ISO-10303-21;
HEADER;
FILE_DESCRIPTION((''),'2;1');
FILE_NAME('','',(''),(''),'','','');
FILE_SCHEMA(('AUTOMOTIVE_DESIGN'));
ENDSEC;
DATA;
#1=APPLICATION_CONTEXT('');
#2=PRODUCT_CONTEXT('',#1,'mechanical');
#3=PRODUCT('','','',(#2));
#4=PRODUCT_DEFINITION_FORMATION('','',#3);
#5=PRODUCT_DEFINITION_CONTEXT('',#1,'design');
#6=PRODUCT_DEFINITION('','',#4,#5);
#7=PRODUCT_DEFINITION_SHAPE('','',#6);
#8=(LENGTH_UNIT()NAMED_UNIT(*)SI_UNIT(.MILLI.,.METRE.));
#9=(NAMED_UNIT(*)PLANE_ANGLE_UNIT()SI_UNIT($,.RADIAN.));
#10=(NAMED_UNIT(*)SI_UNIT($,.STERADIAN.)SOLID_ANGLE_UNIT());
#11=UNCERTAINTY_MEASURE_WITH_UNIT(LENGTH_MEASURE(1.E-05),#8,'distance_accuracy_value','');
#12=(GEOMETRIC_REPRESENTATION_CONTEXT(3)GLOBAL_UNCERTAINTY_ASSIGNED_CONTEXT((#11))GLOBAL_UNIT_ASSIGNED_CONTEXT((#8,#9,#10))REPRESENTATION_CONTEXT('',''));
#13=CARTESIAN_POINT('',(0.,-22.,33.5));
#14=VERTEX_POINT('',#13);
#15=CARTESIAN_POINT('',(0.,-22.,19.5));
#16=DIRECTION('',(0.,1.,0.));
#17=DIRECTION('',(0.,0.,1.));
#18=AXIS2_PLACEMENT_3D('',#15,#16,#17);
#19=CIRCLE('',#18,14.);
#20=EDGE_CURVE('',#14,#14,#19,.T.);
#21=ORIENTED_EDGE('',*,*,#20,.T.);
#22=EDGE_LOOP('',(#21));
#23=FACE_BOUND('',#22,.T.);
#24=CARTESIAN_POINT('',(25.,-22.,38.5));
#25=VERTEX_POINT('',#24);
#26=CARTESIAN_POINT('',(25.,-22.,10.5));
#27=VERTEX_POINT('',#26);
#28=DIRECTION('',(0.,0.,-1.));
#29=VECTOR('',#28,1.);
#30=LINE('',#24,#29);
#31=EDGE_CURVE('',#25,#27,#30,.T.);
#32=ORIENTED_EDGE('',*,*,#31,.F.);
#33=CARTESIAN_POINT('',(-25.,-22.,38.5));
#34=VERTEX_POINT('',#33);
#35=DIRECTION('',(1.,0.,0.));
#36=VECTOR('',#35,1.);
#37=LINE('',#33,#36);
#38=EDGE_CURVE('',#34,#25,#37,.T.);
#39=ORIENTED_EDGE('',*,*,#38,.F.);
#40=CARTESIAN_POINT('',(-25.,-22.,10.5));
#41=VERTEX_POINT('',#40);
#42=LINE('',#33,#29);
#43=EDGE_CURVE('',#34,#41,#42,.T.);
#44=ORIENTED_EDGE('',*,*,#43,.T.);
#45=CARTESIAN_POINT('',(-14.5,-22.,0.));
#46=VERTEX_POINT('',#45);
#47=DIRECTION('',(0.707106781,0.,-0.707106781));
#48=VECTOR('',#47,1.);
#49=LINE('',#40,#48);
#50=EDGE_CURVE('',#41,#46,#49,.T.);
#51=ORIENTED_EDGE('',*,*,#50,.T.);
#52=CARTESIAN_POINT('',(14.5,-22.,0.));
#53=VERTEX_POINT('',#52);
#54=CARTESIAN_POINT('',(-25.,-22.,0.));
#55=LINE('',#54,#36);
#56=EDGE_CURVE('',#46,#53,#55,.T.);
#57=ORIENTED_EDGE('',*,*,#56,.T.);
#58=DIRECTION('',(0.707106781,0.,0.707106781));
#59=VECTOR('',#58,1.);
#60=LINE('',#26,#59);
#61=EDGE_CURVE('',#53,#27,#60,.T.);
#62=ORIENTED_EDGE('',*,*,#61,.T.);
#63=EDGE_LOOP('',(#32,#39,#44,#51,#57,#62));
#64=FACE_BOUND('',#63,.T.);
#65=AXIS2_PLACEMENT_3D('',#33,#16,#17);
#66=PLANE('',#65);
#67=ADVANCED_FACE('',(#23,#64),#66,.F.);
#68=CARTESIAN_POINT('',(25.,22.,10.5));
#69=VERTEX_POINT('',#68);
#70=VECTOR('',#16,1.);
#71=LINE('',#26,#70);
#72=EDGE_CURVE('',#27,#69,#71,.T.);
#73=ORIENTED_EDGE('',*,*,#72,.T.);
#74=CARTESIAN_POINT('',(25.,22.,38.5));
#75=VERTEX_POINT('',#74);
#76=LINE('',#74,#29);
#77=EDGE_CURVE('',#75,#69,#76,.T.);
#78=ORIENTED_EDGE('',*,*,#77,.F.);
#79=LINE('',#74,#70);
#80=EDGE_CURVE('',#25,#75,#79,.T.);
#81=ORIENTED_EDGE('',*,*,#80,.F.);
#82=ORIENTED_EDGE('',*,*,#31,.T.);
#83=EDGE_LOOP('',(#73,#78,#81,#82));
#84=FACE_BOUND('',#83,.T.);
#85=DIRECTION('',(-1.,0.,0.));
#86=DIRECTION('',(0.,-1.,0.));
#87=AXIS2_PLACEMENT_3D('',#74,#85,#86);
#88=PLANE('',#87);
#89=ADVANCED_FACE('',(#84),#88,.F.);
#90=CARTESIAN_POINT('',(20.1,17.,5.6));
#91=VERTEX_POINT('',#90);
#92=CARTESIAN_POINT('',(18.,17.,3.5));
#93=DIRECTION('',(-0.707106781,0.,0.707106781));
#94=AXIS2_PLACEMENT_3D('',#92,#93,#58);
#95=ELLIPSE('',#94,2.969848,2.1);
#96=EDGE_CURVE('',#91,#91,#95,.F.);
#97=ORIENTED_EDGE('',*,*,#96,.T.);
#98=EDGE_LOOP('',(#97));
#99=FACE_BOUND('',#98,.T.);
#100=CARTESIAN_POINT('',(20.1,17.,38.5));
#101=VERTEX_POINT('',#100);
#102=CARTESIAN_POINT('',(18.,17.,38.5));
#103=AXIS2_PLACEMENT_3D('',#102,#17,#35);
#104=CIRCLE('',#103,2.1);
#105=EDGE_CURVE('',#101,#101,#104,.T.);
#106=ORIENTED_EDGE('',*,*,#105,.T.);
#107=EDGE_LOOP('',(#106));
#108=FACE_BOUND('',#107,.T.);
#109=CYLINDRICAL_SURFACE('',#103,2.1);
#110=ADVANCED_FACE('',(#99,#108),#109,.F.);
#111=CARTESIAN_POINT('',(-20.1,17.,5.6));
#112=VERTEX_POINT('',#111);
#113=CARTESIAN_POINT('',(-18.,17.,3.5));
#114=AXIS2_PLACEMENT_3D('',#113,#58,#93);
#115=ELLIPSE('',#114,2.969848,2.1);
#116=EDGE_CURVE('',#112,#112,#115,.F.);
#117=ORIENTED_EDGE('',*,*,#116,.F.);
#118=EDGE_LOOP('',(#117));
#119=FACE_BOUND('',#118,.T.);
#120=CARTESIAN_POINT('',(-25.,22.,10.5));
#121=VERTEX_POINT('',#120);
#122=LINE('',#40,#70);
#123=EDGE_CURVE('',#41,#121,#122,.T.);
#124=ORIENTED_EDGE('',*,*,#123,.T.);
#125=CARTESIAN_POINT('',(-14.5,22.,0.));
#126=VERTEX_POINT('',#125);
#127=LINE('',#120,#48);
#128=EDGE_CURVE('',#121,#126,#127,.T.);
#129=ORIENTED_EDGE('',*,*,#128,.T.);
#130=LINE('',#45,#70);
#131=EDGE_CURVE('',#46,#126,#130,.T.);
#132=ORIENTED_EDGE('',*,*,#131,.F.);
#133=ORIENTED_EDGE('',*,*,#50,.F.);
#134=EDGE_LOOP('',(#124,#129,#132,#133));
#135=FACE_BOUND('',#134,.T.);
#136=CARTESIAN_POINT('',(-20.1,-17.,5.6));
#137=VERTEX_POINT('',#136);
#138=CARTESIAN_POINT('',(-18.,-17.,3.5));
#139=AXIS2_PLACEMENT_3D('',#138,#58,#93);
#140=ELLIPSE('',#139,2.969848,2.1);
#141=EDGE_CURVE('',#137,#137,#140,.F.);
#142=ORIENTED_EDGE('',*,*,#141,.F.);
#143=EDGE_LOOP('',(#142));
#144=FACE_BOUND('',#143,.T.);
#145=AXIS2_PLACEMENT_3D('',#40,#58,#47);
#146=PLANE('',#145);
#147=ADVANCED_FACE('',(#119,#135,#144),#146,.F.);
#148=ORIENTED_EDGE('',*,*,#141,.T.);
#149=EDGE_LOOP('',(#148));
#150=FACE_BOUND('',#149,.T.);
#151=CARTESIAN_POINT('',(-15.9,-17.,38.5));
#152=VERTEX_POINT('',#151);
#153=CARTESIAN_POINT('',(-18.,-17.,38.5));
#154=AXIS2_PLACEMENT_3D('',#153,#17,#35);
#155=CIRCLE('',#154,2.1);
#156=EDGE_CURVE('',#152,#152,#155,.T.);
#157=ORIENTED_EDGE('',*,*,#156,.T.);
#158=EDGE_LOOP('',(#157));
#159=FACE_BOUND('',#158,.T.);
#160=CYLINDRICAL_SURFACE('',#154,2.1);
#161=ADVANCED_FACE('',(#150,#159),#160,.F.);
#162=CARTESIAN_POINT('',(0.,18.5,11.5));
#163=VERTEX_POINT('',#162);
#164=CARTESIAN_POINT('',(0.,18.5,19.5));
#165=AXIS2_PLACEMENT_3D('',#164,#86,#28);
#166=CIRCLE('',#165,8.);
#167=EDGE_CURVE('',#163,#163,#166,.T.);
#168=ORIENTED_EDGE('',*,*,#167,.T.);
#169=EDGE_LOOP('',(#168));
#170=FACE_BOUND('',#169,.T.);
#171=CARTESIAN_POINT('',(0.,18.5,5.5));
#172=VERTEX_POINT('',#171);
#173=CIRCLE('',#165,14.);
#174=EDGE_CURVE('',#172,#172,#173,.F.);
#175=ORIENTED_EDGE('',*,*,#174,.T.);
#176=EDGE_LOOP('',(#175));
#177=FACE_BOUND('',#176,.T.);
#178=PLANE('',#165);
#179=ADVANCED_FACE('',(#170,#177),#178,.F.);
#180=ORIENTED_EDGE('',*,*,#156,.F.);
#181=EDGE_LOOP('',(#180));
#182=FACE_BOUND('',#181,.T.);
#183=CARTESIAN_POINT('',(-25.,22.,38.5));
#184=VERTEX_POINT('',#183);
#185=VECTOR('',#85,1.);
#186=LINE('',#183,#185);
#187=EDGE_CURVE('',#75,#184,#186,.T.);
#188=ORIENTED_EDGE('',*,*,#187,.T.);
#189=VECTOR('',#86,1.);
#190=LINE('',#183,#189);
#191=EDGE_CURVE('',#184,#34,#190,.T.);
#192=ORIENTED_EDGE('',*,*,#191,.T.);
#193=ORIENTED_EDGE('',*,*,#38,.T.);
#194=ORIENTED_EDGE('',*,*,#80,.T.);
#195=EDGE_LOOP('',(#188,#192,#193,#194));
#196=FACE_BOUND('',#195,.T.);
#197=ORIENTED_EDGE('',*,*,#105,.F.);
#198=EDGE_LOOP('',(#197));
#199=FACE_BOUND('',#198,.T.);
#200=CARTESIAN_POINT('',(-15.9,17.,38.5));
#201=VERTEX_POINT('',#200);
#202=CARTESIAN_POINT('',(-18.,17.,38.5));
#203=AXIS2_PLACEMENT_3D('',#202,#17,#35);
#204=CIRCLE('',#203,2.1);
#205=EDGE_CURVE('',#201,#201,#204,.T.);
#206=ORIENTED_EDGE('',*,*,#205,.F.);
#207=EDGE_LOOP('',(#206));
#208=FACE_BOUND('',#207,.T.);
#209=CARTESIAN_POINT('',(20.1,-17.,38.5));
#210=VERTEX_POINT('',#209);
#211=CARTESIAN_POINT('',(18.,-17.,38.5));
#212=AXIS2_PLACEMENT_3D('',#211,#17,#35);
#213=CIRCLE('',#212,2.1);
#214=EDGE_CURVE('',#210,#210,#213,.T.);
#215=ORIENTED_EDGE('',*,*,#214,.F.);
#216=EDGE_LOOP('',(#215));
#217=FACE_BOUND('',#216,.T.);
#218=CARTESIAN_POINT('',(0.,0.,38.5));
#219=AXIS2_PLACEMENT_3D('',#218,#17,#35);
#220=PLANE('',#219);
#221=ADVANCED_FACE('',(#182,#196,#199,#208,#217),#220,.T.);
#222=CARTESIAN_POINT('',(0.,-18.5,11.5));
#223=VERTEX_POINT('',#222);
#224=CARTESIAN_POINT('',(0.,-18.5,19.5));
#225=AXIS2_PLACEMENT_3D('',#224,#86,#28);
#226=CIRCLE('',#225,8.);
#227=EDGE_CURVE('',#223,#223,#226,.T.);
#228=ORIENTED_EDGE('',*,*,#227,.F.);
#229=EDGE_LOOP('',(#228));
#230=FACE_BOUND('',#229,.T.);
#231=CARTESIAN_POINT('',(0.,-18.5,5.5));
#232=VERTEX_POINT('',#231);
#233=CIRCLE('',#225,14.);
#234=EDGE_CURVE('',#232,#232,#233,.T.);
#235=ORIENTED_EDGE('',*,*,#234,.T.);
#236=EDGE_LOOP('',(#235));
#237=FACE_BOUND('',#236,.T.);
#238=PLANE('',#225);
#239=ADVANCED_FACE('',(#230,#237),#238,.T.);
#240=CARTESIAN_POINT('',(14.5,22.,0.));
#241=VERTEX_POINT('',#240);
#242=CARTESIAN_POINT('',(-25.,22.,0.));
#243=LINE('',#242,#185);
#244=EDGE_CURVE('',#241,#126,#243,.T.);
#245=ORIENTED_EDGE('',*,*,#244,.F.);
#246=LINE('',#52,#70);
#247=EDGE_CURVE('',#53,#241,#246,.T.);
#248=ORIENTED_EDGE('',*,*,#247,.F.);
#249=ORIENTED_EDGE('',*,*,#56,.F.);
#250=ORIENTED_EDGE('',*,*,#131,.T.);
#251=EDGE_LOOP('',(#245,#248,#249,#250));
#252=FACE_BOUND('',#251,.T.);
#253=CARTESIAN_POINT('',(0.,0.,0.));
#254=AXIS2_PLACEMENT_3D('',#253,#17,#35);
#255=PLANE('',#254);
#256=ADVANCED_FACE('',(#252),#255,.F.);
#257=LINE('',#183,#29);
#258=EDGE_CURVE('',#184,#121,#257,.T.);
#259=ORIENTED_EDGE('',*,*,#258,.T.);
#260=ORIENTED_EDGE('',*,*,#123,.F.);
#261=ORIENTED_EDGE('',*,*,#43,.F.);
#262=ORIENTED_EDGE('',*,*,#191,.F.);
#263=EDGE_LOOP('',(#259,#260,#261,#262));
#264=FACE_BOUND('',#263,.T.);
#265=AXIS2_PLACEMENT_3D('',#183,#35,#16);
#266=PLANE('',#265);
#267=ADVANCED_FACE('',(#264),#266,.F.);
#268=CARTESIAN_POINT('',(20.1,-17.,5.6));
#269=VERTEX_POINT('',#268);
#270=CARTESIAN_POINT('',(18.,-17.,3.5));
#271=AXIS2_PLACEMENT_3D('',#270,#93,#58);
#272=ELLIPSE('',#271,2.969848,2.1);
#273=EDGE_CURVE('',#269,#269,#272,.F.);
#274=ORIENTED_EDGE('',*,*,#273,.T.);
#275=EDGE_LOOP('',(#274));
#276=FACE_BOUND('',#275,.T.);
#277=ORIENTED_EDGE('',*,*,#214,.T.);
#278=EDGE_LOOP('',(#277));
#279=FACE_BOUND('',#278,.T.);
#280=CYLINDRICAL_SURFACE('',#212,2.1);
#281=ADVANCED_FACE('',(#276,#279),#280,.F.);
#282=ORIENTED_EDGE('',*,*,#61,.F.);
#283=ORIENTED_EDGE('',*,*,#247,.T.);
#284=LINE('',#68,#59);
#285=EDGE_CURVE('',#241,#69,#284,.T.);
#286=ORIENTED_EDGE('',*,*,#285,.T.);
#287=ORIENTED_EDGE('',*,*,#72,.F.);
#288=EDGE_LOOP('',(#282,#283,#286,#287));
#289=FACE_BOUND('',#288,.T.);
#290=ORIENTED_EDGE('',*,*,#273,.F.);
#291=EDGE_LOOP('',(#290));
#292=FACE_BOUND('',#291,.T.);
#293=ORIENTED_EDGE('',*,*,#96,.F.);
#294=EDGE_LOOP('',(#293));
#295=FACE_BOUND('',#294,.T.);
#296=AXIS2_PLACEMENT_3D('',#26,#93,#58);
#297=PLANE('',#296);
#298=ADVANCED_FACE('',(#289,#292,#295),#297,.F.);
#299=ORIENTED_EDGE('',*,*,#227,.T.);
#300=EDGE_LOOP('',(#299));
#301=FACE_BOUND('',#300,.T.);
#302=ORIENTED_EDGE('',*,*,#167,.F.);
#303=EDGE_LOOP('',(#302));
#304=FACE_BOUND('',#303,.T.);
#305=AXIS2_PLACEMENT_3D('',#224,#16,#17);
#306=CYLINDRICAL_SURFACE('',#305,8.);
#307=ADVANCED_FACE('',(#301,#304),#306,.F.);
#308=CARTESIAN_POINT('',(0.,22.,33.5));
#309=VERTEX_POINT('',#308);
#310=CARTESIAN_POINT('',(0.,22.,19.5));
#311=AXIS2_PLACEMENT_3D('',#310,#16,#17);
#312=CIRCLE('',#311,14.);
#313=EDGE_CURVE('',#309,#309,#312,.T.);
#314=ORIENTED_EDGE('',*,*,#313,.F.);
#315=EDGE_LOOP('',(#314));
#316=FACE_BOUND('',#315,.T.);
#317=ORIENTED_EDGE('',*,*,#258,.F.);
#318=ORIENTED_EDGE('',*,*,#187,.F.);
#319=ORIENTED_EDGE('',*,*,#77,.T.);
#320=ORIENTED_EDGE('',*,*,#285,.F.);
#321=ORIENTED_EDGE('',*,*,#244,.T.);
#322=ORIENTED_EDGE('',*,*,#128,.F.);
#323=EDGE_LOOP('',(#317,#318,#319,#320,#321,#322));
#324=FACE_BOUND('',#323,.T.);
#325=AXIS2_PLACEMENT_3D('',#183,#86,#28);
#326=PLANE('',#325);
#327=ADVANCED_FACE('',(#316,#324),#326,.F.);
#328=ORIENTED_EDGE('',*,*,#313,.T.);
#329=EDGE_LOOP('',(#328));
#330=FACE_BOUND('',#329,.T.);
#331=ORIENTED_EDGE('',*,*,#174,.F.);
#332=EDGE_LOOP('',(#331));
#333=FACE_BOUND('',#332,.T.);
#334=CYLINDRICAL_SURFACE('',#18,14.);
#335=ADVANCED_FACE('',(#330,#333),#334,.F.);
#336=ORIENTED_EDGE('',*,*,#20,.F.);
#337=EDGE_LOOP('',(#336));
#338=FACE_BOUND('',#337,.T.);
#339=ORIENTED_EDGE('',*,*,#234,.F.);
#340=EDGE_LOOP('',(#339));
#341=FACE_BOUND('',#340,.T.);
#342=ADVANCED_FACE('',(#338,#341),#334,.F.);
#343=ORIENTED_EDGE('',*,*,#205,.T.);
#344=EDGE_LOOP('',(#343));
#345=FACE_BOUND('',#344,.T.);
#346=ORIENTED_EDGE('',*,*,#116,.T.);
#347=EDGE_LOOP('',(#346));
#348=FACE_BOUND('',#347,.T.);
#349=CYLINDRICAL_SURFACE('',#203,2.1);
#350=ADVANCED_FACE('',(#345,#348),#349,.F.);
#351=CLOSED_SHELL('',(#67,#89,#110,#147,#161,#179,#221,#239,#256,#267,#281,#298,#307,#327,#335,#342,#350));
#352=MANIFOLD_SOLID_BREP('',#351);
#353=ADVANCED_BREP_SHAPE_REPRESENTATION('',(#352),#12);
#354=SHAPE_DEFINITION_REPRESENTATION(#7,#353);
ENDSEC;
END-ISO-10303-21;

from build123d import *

# Parameters (mm, degrees)
SKETCH1_W           = 50
SKETCH1_H           = 44
BOSS_EXTRUDE1_DEPTH = 38.5
M5_TAPPED_HOLE1_D   = 4.2
SKETCH6_R           = 14
CUT_EXTRUDE1_DEPTH  = 45
SKETCH8_R           = 14
SKETCH8_R_2         = 8
BOSS_EXTRUDE2_DEPTH = 18.5


with BuildPart() as part:
    # Sketch1 → Boss-Extrude1 (new body)
    with BuildSketch(Plane.XY):
        Rectangle(SKETCH1_W, SKETCH1_H)
    extrude(amount=BOSS_EXTRUDE1_DEPTH)

    # M5 Tapped Hole1 (through all)
    with Locations(Plane.XY.offset(38.5)):
        with Locations((-18, 17), (18, 17), (18, -17), (-18, -17)):
            Hole(M5_TAPPED_HOLE1_D / 2)

    # Sketch6 → Cut-Extrude1 (cut, through all)
    with BuildSketch(Plane(origin=(0, 22, 0), x_dir=(1, 0, 0), z_dir=(0, 1, 0))):
        with Locations((0, -19.5)):
            Circle(SKETCH6_R)
        Polygon((-25, -10.5), (-14.5, 0), (-25, 0), align=None)
        Polygon((25, -10.5), (14.5, 0), (25, 0), align=None)
    extrude(amount=-CUT_EXTRUDE1_DEPTH, mode=Mode.SUBTRACT)

    # Sketch8 → Boss-Extrude2 (add, symmetric)
    with BuildSketch(Plane(origin=(0, 0, 0), x_dir=(-1, 0, 0), z_dir=(0, -1, 0))):
        with Locations((0, -19.5)):
            Circle(SKETCH8_R)
        with Locations((0, -19.5)):
            Circle(SKETCH8_R_2, mode=Mode.SUBTRACT)
    extrude(amount=BOSS_EXTRUDE2_DEPTH, both=True)


solid = part.part
